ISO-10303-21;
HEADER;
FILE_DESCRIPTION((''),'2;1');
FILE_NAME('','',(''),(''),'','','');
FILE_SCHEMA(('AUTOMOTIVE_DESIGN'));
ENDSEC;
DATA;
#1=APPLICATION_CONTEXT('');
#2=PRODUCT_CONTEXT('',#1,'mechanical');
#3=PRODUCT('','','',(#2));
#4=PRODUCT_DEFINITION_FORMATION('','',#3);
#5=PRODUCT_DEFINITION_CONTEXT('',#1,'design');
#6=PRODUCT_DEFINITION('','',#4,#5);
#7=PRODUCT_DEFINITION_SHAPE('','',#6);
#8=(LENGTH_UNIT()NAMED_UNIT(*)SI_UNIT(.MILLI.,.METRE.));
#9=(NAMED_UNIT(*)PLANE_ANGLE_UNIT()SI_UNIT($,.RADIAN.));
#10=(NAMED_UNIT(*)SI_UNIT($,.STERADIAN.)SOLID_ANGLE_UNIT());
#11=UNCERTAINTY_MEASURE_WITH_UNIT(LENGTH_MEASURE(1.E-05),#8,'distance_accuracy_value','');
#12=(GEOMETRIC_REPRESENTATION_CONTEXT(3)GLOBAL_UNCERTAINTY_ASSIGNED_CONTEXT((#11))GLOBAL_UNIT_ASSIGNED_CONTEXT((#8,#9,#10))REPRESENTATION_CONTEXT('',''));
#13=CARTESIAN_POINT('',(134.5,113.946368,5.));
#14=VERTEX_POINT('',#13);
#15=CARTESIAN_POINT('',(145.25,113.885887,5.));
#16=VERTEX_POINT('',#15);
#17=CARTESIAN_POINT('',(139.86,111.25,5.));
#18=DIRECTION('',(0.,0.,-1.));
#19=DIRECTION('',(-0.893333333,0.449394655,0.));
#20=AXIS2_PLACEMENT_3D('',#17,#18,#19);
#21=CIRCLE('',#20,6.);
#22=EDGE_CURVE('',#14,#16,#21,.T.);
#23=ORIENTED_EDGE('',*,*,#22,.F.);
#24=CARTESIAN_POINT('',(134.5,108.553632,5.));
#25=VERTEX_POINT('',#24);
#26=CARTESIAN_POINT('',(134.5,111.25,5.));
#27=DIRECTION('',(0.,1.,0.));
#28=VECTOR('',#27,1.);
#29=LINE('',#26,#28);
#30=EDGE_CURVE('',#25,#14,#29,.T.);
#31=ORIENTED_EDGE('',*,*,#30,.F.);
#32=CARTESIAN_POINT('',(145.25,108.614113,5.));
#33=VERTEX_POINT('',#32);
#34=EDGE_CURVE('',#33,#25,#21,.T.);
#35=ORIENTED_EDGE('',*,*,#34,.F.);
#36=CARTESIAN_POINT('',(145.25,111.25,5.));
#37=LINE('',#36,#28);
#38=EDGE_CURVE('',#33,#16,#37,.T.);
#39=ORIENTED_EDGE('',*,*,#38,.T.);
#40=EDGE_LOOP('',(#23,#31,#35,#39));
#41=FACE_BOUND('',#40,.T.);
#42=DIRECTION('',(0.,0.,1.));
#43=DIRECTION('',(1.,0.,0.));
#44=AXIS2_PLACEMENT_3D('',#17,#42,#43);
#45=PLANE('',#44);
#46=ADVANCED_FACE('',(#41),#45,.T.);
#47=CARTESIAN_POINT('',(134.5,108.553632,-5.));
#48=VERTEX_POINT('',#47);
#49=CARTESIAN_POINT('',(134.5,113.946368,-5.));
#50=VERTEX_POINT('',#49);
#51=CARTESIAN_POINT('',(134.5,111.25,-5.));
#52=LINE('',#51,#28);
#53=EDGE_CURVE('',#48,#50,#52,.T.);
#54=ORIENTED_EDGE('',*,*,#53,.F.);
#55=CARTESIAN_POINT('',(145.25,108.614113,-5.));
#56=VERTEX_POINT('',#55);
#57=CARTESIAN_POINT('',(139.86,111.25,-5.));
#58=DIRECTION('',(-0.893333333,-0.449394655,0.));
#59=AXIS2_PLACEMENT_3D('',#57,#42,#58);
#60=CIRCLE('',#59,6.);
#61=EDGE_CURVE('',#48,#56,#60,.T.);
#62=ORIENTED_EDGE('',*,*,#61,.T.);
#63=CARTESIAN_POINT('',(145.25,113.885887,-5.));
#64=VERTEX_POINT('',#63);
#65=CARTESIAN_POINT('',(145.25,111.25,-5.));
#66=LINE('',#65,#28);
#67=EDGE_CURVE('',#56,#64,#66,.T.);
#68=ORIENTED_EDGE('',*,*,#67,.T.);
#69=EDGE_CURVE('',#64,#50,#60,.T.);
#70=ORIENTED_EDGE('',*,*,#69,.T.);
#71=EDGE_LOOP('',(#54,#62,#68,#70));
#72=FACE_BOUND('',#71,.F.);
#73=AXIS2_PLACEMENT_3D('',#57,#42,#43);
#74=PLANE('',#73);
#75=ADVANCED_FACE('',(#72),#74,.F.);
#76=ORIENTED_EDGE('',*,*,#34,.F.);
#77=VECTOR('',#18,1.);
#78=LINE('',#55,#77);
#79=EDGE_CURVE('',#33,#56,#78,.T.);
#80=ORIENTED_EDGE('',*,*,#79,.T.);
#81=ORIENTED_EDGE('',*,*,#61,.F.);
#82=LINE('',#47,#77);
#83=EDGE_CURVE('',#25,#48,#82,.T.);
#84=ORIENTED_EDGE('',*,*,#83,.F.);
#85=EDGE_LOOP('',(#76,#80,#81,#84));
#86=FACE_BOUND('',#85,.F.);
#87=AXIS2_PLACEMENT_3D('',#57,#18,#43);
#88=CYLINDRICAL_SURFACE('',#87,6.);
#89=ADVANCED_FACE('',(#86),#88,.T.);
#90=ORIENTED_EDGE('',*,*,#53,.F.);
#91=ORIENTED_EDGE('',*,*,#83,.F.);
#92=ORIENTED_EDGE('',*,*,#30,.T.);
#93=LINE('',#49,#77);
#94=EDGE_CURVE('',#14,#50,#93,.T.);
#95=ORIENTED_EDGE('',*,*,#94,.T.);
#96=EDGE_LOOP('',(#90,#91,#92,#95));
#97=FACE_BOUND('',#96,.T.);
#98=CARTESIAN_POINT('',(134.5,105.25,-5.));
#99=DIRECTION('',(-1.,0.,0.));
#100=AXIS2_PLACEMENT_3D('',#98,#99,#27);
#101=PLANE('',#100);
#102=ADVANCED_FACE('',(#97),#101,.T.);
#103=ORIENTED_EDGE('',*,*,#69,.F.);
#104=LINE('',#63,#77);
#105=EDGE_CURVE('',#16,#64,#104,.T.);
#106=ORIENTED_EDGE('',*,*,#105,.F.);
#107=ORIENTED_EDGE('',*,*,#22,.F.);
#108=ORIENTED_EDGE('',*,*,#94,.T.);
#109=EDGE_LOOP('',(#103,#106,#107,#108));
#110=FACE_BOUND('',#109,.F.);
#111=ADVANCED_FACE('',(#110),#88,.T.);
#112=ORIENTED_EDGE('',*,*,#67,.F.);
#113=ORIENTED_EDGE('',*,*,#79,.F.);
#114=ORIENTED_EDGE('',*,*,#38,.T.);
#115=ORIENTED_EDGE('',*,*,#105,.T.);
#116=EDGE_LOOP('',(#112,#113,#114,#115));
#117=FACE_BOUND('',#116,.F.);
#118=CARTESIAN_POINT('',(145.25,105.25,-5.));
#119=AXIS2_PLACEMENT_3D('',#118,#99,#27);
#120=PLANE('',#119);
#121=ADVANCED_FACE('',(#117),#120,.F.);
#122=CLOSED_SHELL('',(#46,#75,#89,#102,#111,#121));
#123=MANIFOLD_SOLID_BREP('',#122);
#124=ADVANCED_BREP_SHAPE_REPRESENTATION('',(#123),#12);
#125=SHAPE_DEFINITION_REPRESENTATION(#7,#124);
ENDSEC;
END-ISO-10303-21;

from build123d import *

# Parameters (mm, degrees)
BOX058_W          = 2
BOX058_H          = 12
BOX058_DEPTH      = 10
BOX059_W          = 2
BOX059_H          = 12
BOX059_DEPTH      = 10
CYLINDER061_R     = 6
CYLINDER061_DEPTH = 10


with BuildPart() as cube057:
    # Box058 → Box058 (new body)
    with BuildSketch(Plane(origin=(145.25, 105.25, -5), x_dir=(1, 0, 0), z_dir=(0, 0, 1))):
        with Locations((1, 6)):
            Rectangle(BOX058_W, BOX058_H)
    extrude(amount=BOX058_DEPTH)


with BuildPart() as cube058:
    # Box059 → Box059 (new body)
    with BuildSketch(Plane(origin=(132.5, 105.25, -5), x_dir=(1, 0, 0), z_dir=(0, 0, 1))):
        with Locations((1, 6)):
            Rectangle(BOX059_W, BOX059_H)
    extrude(amount=BOX059_DEPTH)


with BuildPart() as keyhole:
    # Cylinder061 → Cylinder061 (new body)
    with BuildSketch(Plane(origin=(139.86, 111.25, -5), x_dir=(1, 0, 0), z_dir=(0, 0, 1))):
        Circle(CYLINDER061_R)
    extrude(amount=CYLINDER061_DEPTH)

    # Cut072: cut Cube058
    add(cube058.part, mode=Mode.SUBTRACT)

    # Cut073: cut Cube057
    add(cube057.part, mode=Mode.SUBTRACT)


solid = keyhole.part
